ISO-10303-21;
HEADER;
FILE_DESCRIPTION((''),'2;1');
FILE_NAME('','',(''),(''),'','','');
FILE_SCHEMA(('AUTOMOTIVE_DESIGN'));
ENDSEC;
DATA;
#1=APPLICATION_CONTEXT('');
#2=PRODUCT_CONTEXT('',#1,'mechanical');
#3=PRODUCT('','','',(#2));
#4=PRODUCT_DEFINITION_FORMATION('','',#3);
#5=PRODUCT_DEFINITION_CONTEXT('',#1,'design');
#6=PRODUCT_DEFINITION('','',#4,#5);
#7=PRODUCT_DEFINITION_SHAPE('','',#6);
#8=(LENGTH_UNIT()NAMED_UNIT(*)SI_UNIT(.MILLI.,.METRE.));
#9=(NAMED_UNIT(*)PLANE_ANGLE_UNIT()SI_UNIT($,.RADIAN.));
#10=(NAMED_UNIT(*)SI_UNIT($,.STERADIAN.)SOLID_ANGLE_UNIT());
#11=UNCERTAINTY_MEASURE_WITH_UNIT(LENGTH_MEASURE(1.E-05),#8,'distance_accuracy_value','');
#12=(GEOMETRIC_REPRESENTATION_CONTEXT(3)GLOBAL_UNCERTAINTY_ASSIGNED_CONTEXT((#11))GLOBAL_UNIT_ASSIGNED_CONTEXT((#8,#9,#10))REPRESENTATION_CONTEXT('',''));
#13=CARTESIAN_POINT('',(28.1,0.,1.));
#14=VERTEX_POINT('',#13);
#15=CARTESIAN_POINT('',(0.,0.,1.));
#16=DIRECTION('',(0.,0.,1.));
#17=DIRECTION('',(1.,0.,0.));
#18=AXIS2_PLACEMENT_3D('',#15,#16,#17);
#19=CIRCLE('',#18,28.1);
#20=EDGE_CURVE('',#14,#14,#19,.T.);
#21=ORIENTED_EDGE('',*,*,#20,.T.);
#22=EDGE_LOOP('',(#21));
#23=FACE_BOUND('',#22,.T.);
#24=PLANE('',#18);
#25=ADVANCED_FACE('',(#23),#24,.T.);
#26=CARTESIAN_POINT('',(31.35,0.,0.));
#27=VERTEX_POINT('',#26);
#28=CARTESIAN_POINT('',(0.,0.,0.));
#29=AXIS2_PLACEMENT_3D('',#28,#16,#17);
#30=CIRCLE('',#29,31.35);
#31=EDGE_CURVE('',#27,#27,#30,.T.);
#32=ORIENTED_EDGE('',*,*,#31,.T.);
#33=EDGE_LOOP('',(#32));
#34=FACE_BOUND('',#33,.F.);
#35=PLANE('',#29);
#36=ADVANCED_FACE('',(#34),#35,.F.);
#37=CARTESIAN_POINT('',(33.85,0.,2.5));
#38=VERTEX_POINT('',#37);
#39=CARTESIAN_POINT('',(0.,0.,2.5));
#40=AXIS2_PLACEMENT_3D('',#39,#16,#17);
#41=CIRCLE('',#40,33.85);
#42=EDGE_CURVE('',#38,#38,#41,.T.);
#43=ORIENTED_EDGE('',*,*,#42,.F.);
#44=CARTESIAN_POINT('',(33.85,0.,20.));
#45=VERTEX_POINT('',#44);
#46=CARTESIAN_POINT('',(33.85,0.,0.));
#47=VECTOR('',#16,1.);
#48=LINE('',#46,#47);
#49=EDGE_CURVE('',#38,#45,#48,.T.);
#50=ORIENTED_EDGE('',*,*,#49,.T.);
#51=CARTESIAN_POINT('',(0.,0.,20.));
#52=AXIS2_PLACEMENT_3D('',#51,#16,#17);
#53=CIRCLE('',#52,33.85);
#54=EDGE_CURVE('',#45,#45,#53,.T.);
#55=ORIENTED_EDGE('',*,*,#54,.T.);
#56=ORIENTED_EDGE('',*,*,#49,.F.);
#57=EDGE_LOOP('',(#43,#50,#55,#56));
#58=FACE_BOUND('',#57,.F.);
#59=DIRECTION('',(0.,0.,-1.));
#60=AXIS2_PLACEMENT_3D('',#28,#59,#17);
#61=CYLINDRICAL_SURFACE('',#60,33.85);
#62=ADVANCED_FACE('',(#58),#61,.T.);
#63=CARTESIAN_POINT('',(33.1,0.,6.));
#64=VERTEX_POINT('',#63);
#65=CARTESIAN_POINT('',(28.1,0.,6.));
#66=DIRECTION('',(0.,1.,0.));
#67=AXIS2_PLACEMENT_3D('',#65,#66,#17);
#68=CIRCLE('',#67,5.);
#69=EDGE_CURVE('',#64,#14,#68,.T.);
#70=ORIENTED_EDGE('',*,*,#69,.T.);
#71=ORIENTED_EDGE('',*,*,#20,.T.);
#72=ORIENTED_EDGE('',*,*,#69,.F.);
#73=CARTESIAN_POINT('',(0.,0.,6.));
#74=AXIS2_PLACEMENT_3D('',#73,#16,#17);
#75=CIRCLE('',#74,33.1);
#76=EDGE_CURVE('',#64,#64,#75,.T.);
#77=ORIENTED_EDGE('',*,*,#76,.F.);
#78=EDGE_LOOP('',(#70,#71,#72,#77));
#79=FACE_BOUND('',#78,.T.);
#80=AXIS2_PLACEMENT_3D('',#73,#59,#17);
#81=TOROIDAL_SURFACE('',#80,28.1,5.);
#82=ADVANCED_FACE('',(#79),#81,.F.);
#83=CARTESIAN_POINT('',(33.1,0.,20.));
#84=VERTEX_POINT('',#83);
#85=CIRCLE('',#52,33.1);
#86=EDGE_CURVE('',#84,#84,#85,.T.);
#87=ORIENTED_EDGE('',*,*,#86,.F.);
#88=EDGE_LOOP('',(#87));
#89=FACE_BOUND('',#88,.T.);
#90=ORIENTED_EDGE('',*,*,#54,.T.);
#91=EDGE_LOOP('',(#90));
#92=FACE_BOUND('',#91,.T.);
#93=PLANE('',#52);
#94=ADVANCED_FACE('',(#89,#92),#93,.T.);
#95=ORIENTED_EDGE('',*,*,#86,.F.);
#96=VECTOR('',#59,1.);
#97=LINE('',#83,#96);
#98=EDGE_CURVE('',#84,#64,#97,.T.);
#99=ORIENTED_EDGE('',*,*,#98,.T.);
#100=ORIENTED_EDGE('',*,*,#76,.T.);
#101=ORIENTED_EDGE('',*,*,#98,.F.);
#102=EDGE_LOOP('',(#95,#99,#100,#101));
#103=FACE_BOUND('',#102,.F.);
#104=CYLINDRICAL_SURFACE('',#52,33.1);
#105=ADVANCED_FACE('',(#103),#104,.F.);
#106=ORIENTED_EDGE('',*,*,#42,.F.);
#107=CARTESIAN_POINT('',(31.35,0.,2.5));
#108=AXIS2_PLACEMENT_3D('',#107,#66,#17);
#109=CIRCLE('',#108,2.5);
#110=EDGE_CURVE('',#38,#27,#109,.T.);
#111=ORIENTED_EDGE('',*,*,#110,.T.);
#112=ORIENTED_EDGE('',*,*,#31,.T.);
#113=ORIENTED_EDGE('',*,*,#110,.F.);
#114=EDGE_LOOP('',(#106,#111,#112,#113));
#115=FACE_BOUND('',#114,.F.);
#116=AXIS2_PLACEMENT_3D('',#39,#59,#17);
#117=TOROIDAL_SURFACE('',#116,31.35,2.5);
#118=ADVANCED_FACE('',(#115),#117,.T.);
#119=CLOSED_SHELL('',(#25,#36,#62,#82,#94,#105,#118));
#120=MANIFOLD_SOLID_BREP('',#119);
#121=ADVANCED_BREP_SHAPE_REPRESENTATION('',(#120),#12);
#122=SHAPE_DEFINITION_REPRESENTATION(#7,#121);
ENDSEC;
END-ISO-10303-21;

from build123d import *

# Parameters (mm, degrees)
F0_R     = 33.85
F1_DEPTH = 20
F2_R     = 33.1
F3_DEPTH = 19
F4_R     = 5
F5_R     = 2.5


with BuildPart() as f1:
    # F0 (on Top) → F1 (new body)
    with BuildSketch(Plane.XY):
        Circle(F0_R)
    extrude(amount=F1_DEPTH)

    # F2 (on face) → F3 (cut)
    with BuildSketch(Plane.XY.offset(20)):
        Circle(F2_R)
    extrude(amount=-F3_DEPTH, mode=Mode.SUBTRACT)

    # F4
    f4_edges = [f1.edges().sort_by_distance(p)[0] for p in [
        (-33.1, 0, 1),
    ]]
    fillet(f4_edges, radius=F4_R)

    # F5
    f5_edges = [f1.edges().sort_by_distance(p)[0] for p in [
        (-33.85, 0, 0),
    ]]
    fillet(f5_edges, radius=F5_R)


solid = f1.part
